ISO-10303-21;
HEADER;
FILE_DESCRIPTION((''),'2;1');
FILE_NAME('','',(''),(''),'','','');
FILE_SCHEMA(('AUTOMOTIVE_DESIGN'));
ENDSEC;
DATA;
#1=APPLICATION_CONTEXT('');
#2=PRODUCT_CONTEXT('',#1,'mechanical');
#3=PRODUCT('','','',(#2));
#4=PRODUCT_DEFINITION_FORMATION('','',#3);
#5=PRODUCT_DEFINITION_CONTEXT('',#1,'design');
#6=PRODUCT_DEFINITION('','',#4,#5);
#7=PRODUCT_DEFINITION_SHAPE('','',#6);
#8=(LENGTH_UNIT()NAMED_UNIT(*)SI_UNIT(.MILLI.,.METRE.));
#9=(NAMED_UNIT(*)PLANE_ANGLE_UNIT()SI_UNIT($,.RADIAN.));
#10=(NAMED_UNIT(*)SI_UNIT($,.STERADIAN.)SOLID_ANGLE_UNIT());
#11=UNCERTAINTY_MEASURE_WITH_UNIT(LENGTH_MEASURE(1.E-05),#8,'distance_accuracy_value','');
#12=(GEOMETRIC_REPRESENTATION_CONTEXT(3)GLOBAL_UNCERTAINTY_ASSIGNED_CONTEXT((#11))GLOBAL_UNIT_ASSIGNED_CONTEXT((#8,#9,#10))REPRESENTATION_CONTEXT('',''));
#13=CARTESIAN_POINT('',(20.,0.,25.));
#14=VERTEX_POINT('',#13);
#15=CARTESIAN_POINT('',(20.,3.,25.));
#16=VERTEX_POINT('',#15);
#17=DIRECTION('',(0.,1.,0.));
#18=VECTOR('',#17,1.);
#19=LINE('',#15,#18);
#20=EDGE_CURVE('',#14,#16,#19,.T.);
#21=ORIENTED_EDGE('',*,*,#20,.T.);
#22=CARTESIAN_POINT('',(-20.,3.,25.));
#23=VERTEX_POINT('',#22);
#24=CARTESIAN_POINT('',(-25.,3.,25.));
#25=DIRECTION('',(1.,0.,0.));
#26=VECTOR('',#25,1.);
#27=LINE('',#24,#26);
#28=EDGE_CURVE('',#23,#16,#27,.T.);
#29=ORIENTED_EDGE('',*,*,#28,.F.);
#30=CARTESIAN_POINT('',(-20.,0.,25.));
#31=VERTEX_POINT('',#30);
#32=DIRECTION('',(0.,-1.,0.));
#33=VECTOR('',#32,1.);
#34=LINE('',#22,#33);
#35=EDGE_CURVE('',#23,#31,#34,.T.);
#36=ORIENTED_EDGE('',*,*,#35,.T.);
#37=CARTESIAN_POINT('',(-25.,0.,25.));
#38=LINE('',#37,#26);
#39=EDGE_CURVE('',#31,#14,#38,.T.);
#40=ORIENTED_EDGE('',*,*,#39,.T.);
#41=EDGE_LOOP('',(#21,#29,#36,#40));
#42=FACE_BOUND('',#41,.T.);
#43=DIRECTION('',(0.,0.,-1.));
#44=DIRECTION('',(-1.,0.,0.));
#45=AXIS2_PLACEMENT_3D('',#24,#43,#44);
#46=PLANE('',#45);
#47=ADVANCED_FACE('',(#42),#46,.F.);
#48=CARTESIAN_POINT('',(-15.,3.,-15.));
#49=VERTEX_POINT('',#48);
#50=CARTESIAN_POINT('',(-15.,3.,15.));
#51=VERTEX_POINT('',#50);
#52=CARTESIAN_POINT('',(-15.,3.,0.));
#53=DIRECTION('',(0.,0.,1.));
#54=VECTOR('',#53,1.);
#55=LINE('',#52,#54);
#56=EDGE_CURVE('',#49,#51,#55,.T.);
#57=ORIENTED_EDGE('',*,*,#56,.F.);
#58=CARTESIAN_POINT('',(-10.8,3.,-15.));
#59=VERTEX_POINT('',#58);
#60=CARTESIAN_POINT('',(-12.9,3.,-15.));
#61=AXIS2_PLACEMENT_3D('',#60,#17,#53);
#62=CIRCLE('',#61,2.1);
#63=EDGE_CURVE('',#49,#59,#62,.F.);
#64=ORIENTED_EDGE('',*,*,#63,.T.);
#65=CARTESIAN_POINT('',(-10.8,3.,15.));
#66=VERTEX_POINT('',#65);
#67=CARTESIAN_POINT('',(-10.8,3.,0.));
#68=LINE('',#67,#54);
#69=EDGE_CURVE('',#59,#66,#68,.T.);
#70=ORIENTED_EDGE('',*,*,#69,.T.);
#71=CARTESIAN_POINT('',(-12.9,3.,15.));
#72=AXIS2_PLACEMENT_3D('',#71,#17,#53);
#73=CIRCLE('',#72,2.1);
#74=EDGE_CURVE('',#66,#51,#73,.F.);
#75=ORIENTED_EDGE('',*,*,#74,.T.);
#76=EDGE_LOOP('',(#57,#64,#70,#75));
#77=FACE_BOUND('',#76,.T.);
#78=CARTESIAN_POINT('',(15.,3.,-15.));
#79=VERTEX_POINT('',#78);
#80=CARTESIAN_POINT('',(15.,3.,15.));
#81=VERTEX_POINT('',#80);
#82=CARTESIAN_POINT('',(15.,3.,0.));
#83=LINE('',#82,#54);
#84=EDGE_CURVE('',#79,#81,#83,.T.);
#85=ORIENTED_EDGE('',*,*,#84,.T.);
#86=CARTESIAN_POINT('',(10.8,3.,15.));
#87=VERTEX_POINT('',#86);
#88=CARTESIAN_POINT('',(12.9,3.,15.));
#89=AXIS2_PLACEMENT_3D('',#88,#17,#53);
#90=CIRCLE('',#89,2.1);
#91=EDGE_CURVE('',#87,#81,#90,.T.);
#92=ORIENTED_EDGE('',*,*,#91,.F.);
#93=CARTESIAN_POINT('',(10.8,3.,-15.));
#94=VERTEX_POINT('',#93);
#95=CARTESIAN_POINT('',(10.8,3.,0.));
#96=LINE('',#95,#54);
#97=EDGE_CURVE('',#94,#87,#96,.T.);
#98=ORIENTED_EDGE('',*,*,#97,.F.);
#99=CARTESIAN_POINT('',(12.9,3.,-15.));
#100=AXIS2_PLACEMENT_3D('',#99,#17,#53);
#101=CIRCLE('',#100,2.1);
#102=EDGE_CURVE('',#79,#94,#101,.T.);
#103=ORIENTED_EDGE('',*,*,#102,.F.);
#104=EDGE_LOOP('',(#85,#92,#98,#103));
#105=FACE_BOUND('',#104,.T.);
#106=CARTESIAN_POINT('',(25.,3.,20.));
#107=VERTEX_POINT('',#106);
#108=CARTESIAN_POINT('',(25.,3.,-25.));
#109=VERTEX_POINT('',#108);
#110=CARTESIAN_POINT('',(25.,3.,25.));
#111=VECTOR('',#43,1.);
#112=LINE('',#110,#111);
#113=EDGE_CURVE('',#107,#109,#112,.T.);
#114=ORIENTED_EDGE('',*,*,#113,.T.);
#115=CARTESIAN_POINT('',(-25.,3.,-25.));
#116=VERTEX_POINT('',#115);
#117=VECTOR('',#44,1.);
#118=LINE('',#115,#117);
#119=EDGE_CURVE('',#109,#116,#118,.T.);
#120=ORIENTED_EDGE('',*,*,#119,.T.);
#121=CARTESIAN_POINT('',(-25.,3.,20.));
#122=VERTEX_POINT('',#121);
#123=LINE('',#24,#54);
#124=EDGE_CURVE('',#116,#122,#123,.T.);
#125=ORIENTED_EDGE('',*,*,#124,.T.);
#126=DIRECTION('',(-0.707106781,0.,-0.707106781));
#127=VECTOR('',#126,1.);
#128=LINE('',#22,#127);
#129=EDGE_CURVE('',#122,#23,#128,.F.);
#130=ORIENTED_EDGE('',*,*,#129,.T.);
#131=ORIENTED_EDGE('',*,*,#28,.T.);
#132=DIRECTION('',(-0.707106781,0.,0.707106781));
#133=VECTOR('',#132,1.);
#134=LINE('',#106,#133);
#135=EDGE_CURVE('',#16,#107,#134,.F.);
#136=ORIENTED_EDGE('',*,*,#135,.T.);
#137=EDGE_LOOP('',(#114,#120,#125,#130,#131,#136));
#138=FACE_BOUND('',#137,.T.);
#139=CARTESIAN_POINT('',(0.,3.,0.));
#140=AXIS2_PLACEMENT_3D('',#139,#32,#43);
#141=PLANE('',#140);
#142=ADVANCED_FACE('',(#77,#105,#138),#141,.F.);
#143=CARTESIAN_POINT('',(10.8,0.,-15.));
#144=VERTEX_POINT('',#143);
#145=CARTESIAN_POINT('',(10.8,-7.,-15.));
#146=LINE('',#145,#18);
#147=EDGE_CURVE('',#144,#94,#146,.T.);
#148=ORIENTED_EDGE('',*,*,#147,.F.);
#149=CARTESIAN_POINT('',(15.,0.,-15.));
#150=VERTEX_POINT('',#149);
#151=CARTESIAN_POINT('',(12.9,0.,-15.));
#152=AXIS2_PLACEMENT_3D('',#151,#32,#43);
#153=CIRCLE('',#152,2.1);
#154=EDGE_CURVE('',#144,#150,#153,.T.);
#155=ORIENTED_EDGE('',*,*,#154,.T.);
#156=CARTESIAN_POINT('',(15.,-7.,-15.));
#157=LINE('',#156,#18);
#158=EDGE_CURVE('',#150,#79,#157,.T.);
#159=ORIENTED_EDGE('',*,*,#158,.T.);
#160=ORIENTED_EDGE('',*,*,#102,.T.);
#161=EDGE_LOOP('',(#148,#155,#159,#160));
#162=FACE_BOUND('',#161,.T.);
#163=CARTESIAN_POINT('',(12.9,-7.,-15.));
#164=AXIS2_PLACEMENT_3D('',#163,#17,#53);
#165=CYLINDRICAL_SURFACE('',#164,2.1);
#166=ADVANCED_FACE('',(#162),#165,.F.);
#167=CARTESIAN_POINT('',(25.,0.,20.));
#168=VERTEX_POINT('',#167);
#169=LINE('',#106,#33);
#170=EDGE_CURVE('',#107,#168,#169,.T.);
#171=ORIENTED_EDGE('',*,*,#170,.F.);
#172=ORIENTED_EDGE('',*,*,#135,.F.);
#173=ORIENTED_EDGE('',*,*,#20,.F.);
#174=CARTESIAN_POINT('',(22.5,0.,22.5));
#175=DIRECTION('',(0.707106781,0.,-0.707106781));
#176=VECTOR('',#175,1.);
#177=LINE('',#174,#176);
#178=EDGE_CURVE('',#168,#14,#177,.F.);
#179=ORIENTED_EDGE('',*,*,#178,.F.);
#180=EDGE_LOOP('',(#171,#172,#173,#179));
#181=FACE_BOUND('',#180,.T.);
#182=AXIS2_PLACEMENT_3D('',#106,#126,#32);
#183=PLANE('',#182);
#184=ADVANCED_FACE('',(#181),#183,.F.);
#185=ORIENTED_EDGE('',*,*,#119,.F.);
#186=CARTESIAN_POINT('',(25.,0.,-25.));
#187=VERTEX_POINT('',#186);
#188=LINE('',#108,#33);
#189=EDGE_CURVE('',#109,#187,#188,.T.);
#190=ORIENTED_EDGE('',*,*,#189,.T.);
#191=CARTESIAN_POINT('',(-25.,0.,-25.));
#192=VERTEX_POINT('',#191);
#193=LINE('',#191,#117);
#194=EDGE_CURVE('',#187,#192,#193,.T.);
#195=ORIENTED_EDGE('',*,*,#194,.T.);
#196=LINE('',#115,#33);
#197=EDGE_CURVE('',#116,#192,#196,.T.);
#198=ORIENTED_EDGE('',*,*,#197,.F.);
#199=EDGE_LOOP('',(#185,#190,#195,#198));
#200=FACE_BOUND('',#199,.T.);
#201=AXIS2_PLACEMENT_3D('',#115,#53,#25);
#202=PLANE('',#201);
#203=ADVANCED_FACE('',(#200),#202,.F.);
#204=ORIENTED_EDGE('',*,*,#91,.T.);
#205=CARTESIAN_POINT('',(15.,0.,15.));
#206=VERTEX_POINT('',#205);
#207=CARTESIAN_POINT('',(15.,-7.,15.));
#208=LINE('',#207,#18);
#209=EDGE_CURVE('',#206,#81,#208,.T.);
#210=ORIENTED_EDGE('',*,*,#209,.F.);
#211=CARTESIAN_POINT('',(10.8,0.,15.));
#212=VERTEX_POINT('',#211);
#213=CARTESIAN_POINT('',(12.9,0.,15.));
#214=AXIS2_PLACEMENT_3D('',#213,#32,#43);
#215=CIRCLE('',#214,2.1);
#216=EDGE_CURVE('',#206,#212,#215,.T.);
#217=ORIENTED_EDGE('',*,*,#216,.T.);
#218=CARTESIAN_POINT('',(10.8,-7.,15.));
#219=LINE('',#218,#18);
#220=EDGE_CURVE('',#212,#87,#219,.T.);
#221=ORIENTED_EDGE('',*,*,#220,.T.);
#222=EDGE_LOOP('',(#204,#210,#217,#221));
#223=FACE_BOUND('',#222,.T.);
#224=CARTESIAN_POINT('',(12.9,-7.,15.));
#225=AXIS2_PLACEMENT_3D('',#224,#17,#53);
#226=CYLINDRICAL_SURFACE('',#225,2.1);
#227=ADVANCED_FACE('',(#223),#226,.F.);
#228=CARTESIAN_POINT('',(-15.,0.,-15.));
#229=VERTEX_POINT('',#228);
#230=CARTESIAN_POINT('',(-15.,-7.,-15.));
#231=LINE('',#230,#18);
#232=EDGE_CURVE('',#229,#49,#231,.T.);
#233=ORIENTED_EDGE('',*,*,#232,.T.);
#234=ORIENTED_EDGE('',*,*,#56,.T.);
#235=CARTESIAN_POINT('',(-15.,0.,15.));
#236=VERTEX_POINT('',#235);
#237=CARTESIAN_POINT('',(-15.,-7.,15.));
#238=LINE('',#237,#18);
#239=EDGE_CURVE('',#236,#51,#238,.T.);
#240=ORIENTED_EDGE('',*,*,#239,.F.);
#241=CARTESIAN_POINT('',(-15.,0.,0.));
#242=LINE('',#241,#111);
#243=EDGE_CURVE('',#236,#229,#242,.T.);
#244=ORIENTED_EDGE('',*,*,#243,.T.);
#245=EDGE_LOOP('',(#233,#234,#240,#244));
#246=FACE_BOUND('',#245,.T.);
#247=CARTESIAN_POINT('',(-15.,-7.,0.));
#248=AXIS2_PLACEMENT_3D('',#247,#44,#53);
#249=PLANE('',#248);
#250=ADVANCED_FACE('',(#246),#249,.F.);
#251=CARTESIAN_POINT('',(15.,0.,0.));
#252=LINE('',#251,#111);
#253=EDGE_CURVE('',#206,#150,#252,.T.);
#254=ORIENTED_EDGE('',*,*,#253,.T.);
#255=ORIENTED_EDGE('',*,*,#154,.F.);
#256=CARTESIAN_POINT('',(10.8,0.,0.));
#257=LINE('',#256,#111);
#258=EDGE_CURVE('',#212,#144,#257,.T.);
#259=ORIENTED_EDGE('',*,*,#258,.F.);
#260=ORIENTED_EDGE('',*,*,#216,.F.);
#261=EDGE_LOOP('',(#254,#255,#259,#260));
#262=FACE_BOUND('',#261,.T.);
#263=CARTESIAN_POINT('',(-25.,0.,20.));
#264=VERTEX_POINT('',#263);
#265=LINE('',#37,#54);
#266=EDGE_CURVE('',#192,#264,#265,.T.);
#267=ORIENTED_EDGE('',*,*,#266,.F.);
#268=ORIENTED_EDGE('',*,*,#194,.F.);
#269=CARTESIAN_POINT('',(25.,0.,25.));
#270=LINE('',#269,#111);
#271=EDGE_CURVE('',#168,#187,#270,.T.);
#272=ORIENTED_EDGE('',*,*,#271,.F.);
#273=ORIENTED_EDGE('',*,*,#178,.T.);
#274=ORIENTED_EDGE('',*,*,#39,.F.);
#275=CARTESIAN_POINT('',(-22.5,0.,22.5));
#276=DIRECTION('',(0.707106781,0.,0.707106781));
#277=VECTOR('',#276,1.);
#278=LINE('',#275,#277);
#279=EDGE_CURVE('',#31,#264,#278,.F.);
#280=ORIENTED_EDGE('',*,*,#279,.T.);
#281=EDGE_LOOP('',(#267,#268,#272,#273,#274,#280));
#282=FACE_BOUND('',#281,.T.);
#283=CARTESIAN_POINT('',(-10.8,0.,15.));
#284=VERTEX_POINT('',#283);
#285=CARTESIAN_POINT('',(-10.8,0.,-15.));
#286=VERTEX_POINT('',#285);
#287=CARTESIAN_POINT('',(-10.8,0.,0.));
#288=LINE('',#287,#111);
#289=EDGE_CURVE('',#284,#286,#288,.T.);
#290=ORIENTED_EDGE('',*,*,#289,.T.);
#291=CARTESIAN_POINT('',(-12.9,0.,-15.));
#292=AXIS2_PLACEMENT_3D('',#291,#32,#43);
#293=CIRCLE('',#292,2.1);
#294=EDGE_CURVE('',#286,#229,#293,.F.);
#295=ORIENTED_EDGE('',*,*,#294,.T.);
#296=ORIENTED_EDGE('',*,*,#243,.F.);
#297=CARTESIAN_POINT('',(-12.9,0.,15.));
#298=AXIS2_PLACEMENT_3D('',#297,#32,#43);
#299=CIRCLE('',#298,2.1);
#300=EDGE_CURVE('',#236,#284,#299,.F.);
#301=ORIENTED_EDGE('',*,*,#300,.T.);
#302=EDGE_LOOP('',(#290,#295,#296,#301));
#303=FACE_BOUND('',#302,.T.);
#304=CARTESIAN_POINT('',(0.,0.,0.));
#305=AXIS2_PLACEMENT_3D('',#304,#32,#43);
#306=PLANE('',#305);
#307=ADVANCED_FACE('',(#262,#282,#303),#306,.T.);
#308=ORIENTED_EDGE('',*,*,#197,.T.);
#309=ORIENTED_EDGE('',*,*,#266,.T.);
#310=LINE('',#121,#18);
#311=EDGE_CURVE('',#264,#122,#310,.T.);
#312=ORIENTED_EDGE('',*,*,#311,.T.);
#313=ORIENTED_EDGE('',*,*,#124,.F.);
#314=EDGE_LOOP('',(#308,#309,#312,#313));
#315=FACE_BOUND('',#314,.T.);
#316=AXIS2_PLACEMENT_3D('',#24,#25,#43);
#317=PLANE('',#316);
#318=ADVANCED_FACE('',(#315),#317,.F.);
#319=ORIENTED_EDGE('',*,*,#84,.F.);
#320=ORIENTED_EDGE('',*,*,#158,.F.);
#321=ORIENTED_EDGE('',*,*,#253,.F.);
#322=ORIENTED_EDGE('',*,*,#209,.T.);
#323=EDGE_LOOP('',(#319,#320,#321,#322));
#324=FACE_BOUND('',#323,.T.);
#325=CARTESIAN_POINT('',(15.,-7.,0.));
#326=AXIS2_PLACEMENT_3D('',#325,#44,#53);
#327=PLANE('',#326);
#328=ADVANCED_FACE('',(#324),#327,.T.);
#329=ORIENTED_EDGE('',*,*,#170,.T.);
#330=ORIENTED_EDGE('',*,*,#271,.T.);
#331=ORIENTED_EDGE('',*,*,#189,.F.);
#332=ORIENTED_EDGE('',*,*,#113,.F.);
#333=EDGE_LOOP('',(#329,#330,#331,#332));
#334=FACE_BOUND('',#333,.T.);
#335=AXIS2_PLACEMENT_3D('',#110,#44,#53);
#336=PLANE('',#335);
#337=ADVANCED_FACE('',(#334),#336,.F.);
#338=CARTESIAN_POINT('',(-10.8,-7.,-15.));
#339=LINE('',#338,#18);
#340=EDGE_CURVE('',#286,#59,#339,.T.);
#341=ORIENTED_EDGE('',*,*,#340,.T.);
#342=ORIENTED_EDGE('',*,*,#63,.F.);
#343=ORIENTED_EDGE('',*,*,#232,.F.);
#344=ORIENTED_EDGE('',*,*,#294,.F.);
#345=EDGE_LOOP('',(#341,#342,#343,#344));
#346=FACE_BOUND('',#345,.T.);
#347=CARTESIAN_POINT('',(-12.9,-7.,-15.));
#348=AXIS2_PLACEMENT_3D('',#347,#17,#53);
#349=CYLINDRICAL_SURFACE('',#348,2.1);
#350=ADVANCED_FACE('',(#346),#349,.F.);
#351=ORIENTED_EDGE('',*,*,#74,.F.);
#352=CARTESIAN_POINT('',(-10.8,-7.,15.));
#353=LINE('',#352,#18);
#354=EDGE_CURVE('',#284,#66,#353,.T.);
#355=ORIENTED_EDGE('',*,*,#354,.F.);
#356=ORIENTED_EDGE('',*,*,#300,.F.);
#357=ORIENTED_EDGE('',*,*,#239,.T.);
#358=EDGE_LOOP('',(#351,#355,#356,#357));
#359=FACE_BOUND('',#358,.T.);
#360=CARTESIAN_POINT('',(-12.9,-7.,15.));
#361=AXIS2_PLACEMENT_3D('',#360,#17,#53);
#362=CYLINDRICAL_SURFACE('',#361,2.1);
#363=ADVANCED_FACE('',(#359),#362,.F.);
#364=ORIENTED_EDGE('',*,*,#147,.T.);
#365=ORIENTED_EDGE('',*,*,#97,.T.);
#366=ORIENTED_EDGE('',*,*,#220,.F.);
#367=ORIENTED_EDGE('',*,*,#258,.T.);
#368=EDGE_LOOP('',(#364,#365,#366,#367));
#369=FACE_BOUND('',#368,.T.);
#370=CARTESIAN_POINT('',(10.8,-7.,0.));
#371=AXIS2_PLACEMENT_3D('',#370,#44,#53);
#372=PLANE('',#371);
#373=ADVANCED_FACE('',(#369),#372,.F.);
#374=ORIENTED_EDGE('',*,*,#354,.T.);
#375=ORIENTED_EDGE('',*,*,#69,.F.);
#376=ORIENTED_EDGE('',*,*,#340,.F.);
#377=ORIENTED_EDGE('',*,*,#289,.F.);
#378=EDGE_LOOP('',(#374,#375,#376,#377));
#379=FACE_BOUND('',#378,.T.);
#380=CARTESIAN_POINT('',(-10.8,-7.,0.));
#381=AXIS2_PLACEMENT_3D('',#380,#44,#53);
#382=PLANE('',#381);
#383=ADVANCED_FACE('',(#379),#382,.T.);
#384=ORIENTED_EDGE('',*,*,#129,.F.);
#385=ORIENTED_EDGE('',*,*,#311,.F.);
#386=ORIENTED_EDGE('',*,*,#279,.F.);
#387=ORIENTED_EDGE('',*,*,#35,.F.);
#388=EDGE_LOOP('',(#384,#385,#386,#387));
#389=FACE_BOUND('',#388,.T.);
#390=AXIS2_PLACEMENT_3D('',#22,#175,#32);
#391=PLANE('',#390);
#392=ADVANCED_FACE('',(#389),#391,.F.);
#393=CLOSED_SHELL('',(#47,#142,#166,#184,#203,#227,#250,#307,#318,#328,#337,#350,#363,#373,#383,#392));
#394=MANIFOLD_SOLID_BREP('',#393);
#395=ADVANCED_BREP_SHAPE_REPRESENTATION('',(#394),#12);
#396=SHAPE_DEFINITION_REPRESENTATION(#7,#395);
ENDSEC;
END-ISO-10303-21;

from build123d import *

# Parameters (mm, degrees)
SKETCH1_W           = 50
SKETCH1_H           = 50
BOSS_EXTRUDE1_DEPTH = 3
CHAMFER1_SIZE       = 5
CUT_EXTRUDE1_DEPTH  = 10


with BuildPart() as part:
    # Sketch1 → Boss-Extrude1 (new body)
    with BuildSketch(Plane(origin=(0, 0, 0), x_dir=(1, 0, 0), z_dir=(0, 1, 0))):
        Rectangle(SKETCH1_W, SKETCH1_H)
    extrude(amount=BOSS_EXTRUDE1_DEPTH)

    # Chamfer1
    chamfer1_edges = [part.edges().sort_by_distance(p)[0] for p in [
        (25, 1.5, 25),
        (-25, 1.5, 25),
    ]]
    chamfer(chamfer1_edges, length=CHAMFER1_SIZE)

    # Sketch2 → Cut-Extrude1 (cut)
    with BuildSketch(Plane(origin=(0, 3, 0), x_dir=(1, 0, 0), z_dir=(0, 1, 0))):
        with BuildLine():
            Line((-10.8, -15), (-10.8, 15))
            ThreePointArc((-10.8, 15), (-12.9, 12.9), (-15, 15))
            Line((-15, 15), (-15, -15))
            ThreePointArc((-15, -15), (-12.9, -12.9), (-10.8, -15))
        make_face()
        with BuildLine():
            ThreePointArc((-15, 15), (-12.9, 12.9), (-10.8, 15))
            Line((-10.8, 15), (-15, 15))
        make_face()
        with BuildLine():
            Line((-15, 15), (-10.8, 15))
            ThreePointArc((-10.8, 15), (-12.9, 17.1), (-15, 15))
        make_face()
        with BuildLine():
            ThreePointArc((-15, -15), (-12.9, -17.1), (-10.8, -15))
            Line((-10.8, -15), (-15, -15))
        make_face()
        with BuildLine():
            Line((-15, -15), (-10.8, -15))
            ThreePointArc((-10.8, -15), (-12.9, -12.9), (-15, -15))
        make_face()
        with BuildLine():
            ThreePointArc((15, -15), (12.9, -12.9), (10.8, -15))
            Line((10.8, -15), (15, -15))
        make_face()
        with BuildLine():
            Line((15, -15), (10.8, -15))
            ThreePointArc((10.8, -15), (12.9, -17.1), (15, -15))
        make_face()
        with BuildLine():
            ThreePointArc((15, 15), (12.9, 12.9), (10.8, 15))
            Line((10.8, 15), (10.8, -15))
            ThreePointArc((10.8, -15), (12.9, -12.9), (15, -15))
            Line((15, -15), (15, 15))
        make_face()
        with BuildLine():
            ThreePointArc((15, 15), (12.9, 17.1), (10.8, 15))
            Line((10.8, 15), (15, 15))
        make_face()
        with BuildLine():
            Line((15, 15), (10.8, 15))
            ThreePointArc((10.8, 15), (12.9, 12.9), (15, 15))
        make_face()
    extrude(amount=-CUT_EXTRUDE1_DEPTH, mode=Mode.SUBTRACT)


solid = part.part
